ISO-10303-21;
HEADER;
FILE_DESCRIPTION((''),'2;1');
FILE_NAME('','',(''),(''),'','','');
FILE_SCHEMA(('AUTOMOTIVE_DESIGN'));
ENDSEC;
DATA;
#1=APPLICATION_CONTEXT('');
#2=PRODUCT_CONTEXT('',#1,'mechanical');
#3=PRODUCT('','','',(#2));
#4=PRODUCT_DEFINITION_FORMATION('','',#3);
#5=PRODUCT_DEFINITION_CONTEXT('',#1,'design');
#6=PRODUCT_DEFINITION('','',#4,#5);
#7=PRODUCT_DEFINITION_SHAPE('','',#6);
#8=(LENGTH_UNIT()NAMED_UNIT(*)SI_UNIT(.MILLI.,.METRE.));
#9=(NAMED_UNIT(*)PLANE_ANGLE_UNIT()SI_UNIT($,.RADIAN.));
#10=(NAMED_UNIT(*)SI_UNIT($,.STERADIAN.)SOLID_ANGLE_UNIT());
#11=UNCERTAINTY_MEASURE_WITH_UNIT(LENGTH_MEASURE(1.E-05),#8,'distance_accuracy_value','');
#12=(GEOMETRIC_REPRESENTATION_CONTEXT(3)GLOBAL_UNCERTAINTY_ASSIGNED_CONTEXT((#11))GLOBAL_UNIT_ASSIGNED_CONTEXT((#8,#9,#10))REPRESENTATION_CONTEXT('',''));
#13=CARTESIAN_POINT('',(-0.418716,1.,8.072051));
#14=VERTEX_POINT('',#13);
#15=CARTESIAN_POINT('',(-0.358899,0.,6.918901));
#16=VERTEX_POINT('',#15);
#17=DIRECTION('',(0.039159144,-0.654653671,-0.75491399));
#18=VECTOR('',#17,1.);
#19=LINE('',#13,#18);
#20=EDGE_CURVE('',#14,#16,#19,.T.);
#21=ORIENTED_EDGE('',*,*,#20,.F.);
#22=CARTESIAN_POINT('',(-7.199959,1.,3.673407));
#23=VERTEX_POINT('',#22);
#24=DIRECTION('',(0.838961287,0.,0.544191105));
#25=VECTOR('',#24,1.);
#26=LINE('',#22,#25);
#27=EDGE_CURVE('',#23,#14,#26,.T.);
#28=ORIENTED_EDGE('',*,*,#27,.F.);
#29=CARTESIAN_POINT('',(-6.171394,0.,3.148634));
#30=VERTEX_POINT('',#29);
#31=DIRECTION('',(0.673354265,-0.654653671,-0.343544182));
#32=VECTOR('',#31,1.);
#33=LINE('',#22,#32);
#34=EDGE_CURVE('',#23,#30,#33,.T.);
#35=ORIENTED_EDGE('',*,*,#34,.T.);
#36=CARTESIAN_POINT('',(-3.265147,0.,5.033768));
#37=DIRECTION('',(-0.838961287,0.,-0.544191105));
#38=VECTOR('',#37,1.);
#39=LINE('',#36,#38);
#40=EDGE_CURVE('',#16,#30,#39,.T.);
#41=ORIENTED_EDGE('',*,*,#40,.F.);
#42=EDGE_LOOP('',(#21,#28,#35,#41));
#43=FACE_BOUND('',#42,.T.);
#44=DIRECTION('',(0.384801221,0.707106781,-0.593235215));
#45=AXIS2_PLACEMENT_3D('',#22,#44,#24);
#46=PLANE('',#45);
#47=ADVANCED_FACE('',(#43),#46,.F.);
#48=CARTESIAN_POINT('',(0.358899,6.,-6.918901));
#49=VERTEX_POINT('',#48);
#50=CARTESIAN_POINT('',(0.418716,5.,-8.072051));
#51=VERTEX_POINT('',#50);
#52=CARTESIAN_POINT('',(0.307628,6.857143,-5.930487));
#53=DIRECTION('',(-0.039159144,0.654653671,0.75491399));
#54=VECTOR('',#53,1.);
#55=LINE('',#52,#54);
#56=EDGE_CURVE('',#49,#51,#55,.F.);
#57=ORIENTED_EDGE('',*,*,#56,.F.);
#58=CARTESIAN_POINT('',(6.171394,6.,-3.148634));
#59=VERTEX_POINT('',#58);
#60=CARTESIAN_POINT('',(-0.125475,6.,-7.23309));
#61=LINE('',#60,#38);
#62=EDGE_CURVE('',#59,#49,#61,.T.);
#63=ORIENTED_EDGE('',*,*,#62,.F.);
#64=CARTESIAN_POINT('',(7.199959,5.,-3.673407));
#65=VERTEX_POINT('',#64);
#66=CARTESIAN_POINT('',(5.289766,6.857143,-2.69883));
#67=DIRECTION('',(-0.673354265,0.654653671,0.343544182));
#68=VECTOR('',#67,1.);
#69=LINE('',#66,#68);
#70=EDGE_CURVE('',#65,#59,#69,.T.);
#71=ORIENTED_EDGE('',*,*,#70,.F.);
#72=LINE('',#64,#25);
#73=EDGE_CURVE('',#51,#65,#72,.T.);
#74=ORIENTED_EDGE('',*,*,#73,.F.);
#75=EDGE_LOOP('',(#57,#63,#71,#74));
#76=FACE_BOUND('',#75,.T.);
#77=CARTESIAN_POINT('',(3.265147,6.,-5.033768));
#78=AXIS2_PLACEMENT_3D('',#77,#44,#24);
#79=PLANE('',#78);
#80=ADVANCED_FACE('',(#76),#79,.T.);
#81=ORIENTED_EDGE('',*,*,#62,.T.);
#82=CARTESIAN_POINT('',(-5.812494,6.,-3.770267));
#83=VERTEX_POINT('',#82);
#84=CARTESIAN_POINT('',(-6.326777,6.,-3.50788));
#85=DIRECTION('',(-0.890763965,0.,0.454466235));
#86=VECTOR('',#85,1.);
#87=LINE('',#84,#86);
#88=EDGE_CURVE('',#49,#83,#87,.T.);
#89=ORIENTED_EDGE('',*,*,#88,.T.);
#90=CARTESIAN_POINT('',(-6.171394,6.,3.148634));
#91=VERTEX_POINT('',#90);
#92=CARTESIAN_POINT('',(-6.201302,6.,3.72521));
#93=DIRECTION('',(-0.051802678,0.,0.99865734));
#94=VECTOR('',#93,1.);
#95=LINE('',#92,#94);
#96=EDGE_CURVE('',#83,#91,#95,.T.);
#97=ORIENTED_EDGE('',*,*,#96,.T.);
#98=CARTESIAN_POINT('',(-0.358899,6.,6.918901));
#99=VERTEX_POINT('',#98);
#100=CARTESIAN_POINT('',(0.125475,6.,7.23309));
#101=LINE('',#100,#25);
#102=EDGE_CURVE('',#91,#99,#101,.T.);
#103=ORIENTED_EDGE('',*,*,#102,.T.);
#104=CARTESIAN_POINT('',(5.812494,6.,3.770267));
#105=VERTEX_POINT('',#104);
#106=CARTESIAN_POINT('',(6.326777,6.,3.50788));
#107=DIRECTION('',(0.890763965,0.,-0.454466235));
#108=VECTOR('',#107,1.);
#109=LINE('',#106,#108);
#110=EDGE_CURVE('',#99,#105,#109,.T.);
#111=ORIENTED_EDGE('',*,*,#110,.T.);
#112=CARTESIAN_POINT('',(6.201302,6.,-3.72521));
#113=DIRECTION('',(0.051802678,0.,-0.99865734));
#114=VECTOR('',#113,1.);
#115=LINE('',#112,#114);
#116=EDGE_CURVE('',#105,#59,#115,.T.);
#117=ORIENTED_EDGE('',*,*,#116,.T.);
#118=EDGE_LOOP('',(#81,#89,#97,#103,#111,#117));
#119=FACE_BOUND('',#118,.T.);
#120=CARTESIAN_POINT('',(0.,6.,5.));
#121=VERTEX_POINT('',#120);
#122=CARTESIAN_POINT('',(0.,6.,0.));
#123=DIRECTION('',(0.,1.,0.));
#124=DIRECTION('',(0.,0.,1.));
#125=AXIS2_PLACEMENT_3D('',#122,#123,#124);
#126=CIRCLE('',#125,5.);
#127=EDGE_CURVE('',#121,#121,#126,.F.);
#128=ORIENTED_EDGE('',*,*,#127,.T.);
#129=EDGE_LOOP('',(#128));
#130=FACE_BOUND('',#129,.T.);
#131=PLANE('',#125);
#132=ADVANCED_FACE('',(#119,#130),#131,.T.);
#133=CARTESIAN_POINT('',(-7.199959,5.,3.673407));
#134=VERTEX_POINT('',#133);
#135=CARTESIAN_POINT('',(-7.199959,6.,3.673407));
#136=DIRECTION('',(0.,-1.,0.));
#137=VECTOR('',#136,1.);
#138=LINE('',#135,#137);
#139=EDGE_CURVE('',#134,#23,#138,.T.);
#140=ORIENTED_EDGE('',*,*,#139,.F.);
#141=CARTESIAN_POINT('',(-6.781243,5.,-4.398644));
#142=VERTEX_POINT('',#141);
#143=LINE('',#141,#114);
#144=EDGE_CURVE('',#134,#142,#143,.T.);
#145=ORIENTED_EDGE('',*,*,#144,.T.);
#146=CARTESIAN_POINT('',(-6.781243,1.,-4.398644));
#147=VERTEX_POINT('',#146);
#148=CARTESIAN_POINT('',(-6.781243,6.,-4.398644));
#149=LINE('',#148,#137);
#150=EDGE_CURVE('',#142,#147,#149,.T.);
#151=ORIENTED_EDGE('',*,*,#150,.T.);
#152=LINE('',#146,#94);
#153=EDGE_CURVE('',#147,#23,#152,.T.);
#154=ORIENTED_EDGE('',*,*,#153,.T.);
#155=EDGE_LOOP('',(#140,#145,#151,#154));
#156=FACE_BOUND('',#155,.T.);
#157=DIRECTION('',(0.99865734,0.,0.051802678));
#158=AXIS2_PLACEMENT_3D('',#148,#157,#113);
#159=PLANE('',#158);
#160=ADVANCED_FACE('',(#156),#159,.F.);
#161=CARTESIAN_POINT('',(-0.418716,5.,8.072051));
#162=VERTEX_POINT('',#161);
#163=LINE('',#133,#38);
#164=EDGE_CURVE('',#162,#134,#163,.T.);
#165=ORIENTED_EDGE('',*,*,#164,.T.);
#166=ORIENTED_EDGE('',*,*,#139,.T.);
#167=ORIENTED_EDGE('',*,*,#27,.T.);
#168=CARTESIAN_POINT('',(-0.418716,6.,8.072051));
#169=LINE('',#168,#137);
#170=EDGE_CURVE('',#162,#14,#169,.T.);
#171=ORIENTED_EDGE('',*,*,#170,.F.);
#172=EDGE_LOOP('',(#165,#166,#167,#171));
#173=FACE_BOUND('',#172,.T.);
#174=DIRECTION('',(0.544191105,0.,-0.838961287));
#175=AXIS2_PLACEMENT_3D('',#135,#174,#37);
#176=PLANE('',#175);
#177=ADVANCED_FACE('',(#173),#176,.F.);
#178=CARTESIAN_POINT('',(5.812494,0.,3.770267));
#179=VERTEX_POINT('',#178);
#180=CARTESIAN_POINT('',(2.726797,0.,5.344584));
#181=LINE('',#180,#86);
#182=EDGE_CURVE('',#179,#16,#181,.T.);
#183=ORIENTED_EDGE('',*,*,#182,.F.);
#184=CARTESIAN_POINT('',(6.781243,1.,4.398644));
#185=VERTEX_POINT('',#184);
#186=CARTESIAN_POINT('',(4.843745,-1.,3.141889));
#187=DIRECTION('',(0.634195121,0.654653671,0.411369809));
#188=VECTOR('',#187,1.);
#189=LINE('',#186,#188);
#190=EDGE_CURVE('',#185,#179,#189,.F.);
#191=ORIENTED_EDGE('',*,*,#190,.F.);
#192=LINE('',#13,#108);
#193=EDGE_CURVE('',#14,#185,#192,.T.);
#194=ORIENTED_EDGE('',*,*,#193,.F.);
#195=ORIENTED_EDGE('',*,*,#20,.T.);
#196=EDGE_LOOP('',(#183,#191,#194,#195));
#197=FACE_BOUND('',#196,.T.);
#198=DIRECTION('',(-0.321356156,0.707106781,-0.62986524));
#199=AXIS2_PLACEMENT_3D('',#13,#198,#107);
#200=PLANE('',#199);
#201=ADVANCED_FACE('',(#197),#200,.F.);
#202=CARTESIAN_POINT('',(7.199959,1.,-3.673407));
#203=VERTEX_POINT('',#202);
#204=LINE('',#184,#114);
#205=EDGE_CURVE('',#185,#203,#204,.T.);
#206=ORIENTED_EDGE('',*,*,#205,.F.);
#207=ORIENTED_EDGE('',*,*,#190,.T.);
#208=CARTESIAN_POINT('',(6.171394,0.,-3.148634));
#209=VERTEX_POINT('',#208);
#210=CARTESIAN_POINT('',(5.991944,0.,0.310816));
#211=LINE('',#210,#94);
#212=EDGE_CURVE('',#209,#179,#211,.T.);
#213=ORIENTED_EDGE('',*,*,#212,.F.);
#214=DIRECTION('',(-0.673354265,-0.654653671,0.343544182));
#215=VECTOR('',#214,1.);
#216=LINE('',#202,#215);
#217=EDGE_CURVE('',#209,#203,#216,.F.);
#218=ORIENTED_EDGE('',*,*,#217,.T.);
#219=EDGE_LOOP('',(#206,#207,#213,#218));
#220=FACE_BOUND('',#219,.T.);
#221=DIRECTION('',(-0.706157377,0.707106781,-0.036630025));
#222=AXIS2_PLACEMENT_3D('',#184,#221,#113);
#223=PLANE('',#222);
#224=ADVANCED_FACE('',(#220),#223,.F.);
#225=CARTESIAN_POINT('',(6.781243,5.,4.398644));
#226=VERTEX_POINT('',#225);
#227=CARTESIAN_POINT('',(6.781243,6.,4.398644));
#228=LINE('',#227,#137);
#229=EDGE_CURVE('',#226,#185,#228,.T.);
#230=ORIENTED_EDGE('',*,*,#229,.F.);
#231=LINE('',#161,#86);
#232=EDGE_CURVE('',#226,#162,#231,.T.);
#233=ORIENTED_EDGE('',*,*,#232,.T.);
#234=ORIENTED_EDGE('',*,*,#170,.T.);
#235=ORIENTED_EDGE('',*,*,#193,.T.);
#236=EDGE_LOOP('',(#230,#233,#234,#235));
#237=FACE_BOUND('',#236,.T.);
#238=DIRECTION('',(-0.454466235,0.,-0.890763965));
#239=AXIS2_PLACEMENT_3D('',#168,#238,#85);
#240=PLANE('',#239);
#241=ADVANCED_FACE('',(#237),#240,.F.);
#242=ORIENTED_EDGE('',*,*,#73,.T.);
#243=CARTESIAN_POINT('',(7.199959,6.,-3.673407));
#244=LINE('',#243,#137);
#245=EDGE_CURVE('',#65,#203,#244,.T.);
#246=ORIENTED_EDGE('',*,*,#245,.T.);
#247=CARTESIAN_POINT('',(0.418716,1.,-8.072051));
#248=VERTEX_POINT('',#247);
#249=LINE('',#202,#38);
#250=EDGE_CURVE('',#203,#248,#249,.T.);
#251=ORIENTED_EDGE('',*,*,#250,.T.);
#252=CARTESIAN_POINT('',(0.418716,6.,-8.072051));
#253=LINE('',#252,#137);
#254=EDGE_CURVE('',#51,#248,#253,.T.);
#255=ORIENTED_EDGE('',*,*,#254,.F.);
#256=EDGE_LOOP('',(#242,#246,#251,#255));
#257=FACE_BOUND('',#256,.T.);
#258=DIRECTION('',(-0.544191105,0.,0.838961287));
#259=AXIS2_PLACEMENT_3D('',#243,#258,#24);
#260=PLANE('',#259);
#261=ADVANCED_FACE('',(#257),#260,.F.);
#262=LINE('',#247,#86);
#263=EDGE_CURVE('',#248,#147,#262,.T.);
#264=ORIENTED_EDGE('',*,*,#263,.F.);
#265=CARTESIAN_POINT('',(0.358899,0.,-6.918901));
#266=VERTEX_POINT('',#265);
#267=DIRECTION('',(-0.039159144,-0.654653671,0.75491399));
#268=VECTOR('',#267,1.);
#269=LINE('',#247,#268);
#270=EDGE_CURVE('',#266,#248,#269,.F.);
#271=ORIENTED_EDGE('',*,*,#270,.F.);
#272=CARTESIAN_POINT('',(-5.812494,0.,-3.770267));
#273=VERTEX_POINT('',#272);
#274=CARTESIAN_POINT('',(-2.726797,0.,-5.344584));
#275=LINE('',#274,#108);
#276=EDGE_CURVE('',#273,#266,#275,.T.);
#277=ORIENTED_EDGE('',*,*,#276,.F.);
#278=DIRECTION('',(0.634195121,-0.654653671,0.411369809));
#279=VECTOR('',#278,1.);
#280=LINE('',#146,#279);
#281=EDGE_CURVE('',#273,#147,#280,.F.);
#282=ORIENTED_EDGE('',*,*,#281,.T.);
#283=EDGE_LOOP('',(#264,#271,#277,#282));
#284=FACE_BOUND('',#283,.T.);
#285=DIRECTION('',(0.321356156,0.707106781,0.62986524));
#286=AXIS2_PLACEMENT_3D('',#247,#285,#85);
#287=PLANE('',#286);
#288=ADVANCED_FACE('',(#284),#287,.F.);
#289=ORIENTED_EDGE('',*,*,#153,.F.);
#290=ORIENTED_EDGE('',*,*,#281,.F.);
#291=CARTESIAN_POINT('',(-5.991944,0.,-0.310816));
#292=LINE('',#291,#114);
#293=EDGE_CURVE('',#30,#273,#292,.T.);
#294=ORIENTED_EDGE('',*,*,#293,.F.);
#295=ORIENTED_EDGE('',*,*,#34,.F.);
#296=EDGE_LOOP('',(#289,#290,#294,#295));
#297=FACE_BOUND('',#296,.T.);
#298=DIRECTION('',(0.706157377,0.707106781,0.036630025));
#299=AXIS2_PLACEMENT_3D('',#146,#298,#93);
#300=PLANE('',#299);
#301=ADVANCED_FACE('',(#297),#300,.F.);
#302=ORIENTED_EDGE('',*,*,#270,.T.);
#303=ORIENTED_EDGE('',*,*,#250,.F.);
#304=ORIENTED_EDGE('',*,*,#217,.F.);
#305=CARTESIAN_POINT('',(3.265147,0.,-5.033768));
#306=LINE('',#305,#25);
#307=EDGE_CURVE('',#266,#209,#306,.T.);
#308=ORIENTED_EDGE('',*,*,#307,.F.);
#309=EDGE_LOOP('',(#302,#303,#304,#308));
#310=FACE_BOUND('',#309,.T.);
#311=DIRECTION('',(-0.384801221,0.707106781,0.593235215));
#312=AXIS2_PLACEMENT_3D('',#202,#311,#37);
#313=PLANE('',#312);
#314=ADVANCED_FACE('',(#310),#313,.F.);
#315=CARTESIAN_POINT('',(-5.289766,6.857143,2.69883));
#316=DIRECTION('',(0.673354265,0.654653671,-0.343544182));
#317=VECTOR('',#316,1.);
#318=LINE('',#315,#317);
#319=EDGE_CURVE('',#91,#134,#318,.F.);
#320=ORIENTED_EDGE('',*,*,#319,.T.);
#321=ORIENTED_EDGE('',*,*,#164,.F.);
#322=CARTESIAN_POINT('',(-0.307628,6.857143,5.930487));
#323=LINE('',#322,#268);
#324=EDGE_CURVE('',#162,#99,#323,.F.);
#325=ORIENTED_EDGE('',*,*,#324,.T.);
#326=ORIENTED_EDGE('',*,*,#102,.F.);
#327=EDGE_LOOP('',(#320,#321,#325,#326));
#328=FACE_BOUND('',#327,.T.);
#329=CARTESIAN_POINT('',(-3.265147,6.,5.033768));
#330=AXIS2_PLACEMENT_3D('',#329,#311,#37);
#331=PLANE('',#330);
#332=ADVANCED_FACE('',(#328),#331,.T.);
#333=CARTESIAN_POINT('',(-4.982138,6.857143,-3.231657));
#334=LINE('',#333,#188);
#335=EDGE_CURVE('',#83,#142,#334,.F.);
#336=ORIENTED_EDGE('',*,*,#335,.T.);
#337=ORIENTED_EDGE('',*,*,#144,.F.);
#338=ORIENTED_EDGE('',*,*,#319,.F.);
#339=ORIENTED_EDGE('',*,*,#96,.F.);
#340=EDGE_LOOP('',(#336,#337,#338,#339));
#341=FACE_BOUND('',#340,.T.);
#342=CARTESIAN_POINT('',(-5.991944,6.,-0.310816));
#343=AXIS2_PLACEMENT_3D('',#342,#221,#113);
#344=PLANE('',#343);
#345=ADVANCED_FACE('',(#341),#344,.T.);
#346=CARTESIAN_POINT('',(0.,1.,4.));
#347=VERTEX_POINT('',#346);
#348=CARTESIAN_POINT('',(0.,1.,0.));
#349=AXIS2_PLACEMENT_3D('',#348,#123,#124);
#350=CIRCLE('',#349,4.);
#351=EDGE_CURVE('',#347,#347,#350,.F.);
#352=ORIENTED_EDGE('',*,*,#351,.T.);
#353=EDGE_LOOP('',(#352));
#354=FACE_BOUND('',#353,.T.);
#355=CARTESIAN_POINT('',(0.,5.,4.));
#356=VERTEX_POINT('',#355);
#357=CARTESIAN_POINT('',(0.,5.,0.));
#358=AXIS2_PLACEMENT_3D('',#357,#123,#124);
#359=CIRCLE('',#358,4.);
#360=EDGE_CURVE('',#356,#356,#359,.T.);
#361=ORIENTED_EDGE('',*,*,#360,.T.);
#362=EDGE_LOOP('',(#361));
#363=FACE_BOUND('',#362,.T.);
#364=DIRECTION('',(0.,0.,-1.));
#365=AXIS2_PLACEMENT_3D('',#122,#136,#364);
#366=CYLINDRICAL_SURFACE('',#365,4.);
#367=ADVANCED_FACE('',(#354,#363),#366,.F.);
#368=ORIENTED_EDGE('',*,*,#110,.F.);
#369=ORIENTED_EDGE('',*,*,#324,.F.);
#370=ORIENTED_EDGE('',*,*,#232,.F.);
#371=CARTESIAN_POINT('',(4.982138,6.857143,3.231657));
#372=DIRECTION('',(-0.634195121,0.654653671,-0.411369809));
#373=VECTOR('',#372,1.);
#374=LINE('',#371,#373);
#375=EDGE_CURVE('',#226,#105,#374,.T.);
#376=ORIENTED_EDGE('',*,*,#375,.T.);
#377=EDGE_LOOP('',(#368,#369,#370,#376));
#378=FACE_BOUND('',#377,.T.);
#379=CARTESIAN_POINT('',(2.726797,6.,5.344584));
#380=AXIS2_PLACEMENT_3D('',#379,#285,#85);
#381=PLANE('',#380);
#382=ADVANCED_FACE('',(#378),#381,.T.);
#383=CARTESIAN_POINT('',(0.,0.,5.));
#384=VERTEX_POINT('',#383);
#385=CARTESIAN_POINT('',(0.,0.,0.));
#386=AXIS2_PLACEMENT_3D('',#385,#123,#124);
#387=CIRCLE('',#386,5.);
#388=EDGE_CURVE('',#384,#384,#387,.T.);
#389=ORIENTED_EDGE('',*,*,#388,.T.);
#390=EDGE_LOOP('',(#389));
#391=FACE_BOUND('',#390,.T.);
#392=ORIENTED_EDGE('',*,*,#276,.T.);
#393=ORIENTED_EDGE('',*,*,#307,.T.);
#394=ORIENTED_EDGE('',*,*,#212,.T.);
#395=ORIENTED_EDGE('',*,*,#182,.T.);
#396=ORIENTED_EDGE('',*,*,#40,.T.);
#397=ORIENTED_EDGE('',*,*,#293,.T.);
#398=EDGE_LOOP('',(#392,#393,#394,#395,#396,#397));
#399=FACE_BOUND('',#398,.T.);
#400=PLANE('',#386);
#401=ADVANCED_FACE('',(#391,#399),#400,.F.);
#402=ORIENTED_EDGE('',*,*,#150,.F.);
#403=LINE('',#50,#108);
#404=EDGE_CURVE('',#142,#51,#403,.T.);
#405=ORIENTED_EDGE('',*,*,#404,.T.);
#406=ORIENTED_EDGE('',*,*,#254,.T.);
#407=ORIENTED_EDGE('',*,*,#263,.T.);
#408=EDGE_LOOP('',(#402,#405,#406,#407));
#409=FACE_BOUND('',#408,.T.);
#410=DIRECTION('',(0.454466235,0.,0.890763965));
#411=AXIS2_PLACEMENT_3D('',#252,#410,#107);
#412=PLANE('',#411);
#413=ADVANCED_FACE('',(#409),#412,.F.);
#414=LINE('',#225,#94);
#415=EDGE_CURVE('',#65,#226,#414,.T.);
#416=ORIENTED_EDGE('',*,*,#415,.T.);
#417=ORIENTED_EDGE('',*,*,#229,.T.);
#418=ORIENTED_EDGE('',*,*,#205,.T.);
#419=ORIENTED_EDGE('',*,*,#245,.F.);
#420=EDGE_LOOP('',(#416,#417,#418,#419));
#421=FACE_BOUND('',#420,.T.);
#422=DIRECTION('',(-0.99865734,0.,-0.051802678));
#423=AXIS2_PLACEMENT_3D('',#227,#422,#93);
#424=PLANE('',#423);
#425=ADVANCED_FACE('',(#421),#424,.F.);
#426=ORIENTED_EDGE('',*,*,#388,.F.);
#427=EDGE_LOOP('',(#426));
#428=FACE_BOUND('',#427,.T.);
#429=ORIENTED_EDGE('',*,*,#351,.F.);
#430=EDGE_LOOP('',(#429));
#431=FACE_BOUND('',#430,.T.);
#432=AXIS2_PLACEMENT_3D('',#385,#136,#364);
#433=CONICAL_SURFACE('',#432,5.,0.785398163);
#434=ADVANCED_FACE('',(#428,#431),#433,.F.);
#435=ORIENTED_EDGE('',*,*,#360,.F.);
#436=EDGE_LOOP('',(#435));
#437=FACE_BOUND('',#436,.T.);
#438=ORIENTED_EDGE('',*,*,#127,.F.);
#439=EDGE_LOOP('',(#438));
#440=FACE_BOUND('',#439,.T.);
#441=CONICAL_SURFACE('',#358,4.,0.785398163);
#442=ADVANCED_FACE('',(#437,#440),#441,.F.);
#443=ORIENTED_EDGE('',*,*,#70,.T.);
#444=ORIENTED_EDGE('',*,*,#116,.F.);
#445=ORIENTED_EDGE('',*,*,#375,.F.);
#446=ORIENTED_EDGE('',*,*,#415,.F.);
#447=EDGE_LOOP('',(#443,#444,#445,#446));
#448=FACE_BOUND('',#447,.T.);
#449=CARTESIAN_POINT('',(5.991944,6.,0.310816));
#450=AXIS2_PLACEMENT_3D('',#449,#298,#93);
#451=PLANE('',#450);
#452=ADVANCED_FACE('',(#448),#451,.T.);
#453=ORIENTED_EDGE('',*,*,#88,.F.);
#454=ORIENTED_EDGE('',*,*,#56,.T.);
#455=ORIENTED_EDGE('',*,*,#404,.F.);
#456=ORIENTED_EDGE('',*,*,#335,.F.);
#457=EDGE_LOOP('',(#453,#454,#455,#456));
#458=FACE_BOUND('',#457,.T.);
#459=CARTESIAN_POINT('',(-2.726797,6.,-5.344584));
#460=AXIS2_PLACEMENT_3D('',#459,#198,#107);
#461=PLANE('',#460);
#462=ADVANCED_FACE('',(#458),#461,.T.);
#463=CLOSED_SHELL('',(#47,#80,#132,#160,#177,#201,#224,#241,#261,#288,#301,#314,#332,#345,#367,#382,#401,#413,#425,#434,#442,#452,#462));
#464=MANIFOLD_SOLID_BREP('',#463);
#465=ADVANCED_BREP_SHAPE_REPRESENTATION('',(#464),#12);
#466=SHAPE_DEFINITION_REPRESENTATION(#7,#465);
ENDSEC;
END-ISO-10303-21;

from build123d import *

# Parameters (mm, degrees)
SKETCH1_R           = 4
BOSS_EXTRUDE1_DEPTH = 6
CHAMFER1_SIZE       = 1


with BuildPart() as part:
    # Sketch1 → Boss-Extrude1 (new body)
    with BuildSketch(Plane(origin=(0, 0, 0), x_dir=(1, 0, 0), z_dir=(0, 1, 0))):
        Polygon((6.781243349, -4.398644334), (7.19995941, 3.673406842), (0.418716061, 8.072051176), (-6.781243349, 4.398644334), (-7.19995941, -3.673406842), (-0.418716061, -8.072051176), align=None)
        with Locations(Location((0, 0, 0), (0, 0, 270))):  # turned: the seam where the file's is
            Circle(SKETCH1_R, mode=Mode.SUBTRACT)
    extrude(amount=BOSS_EXTRUDE1_DEPTH)

    # Chamfer1
    chamfer1_edges = [part.edges().sort_by_distance(p)[0] for p in [
        (3.809337736, 6, -5.872729009),
        (-3.181263644, 6, -6.235347755),
        (-6.990601379, 6, -0.362618746),
        (0, 0, -4),
        (0, 6, -4),
        (-3.809337736, 6, 5.872729009),
        (3.181263644, 6, 6.235347755),
        (-3.809337736, 0, 5.872729009),
        (-6.990601379, 0, -0.362618746),
        (-3.181263644, 0, -6.235347755),
        (6.990601379, 6, 0.362618746),
        (3.809337736, 0, -5.872729009),
        (6.990601379, 0, 0.362618746),
        (3.181263644, 0, 6.235347755),
    ]]
    chamfer(chamfer1_edges, length=CHAMFER1_SIZE)


solid = part.part
